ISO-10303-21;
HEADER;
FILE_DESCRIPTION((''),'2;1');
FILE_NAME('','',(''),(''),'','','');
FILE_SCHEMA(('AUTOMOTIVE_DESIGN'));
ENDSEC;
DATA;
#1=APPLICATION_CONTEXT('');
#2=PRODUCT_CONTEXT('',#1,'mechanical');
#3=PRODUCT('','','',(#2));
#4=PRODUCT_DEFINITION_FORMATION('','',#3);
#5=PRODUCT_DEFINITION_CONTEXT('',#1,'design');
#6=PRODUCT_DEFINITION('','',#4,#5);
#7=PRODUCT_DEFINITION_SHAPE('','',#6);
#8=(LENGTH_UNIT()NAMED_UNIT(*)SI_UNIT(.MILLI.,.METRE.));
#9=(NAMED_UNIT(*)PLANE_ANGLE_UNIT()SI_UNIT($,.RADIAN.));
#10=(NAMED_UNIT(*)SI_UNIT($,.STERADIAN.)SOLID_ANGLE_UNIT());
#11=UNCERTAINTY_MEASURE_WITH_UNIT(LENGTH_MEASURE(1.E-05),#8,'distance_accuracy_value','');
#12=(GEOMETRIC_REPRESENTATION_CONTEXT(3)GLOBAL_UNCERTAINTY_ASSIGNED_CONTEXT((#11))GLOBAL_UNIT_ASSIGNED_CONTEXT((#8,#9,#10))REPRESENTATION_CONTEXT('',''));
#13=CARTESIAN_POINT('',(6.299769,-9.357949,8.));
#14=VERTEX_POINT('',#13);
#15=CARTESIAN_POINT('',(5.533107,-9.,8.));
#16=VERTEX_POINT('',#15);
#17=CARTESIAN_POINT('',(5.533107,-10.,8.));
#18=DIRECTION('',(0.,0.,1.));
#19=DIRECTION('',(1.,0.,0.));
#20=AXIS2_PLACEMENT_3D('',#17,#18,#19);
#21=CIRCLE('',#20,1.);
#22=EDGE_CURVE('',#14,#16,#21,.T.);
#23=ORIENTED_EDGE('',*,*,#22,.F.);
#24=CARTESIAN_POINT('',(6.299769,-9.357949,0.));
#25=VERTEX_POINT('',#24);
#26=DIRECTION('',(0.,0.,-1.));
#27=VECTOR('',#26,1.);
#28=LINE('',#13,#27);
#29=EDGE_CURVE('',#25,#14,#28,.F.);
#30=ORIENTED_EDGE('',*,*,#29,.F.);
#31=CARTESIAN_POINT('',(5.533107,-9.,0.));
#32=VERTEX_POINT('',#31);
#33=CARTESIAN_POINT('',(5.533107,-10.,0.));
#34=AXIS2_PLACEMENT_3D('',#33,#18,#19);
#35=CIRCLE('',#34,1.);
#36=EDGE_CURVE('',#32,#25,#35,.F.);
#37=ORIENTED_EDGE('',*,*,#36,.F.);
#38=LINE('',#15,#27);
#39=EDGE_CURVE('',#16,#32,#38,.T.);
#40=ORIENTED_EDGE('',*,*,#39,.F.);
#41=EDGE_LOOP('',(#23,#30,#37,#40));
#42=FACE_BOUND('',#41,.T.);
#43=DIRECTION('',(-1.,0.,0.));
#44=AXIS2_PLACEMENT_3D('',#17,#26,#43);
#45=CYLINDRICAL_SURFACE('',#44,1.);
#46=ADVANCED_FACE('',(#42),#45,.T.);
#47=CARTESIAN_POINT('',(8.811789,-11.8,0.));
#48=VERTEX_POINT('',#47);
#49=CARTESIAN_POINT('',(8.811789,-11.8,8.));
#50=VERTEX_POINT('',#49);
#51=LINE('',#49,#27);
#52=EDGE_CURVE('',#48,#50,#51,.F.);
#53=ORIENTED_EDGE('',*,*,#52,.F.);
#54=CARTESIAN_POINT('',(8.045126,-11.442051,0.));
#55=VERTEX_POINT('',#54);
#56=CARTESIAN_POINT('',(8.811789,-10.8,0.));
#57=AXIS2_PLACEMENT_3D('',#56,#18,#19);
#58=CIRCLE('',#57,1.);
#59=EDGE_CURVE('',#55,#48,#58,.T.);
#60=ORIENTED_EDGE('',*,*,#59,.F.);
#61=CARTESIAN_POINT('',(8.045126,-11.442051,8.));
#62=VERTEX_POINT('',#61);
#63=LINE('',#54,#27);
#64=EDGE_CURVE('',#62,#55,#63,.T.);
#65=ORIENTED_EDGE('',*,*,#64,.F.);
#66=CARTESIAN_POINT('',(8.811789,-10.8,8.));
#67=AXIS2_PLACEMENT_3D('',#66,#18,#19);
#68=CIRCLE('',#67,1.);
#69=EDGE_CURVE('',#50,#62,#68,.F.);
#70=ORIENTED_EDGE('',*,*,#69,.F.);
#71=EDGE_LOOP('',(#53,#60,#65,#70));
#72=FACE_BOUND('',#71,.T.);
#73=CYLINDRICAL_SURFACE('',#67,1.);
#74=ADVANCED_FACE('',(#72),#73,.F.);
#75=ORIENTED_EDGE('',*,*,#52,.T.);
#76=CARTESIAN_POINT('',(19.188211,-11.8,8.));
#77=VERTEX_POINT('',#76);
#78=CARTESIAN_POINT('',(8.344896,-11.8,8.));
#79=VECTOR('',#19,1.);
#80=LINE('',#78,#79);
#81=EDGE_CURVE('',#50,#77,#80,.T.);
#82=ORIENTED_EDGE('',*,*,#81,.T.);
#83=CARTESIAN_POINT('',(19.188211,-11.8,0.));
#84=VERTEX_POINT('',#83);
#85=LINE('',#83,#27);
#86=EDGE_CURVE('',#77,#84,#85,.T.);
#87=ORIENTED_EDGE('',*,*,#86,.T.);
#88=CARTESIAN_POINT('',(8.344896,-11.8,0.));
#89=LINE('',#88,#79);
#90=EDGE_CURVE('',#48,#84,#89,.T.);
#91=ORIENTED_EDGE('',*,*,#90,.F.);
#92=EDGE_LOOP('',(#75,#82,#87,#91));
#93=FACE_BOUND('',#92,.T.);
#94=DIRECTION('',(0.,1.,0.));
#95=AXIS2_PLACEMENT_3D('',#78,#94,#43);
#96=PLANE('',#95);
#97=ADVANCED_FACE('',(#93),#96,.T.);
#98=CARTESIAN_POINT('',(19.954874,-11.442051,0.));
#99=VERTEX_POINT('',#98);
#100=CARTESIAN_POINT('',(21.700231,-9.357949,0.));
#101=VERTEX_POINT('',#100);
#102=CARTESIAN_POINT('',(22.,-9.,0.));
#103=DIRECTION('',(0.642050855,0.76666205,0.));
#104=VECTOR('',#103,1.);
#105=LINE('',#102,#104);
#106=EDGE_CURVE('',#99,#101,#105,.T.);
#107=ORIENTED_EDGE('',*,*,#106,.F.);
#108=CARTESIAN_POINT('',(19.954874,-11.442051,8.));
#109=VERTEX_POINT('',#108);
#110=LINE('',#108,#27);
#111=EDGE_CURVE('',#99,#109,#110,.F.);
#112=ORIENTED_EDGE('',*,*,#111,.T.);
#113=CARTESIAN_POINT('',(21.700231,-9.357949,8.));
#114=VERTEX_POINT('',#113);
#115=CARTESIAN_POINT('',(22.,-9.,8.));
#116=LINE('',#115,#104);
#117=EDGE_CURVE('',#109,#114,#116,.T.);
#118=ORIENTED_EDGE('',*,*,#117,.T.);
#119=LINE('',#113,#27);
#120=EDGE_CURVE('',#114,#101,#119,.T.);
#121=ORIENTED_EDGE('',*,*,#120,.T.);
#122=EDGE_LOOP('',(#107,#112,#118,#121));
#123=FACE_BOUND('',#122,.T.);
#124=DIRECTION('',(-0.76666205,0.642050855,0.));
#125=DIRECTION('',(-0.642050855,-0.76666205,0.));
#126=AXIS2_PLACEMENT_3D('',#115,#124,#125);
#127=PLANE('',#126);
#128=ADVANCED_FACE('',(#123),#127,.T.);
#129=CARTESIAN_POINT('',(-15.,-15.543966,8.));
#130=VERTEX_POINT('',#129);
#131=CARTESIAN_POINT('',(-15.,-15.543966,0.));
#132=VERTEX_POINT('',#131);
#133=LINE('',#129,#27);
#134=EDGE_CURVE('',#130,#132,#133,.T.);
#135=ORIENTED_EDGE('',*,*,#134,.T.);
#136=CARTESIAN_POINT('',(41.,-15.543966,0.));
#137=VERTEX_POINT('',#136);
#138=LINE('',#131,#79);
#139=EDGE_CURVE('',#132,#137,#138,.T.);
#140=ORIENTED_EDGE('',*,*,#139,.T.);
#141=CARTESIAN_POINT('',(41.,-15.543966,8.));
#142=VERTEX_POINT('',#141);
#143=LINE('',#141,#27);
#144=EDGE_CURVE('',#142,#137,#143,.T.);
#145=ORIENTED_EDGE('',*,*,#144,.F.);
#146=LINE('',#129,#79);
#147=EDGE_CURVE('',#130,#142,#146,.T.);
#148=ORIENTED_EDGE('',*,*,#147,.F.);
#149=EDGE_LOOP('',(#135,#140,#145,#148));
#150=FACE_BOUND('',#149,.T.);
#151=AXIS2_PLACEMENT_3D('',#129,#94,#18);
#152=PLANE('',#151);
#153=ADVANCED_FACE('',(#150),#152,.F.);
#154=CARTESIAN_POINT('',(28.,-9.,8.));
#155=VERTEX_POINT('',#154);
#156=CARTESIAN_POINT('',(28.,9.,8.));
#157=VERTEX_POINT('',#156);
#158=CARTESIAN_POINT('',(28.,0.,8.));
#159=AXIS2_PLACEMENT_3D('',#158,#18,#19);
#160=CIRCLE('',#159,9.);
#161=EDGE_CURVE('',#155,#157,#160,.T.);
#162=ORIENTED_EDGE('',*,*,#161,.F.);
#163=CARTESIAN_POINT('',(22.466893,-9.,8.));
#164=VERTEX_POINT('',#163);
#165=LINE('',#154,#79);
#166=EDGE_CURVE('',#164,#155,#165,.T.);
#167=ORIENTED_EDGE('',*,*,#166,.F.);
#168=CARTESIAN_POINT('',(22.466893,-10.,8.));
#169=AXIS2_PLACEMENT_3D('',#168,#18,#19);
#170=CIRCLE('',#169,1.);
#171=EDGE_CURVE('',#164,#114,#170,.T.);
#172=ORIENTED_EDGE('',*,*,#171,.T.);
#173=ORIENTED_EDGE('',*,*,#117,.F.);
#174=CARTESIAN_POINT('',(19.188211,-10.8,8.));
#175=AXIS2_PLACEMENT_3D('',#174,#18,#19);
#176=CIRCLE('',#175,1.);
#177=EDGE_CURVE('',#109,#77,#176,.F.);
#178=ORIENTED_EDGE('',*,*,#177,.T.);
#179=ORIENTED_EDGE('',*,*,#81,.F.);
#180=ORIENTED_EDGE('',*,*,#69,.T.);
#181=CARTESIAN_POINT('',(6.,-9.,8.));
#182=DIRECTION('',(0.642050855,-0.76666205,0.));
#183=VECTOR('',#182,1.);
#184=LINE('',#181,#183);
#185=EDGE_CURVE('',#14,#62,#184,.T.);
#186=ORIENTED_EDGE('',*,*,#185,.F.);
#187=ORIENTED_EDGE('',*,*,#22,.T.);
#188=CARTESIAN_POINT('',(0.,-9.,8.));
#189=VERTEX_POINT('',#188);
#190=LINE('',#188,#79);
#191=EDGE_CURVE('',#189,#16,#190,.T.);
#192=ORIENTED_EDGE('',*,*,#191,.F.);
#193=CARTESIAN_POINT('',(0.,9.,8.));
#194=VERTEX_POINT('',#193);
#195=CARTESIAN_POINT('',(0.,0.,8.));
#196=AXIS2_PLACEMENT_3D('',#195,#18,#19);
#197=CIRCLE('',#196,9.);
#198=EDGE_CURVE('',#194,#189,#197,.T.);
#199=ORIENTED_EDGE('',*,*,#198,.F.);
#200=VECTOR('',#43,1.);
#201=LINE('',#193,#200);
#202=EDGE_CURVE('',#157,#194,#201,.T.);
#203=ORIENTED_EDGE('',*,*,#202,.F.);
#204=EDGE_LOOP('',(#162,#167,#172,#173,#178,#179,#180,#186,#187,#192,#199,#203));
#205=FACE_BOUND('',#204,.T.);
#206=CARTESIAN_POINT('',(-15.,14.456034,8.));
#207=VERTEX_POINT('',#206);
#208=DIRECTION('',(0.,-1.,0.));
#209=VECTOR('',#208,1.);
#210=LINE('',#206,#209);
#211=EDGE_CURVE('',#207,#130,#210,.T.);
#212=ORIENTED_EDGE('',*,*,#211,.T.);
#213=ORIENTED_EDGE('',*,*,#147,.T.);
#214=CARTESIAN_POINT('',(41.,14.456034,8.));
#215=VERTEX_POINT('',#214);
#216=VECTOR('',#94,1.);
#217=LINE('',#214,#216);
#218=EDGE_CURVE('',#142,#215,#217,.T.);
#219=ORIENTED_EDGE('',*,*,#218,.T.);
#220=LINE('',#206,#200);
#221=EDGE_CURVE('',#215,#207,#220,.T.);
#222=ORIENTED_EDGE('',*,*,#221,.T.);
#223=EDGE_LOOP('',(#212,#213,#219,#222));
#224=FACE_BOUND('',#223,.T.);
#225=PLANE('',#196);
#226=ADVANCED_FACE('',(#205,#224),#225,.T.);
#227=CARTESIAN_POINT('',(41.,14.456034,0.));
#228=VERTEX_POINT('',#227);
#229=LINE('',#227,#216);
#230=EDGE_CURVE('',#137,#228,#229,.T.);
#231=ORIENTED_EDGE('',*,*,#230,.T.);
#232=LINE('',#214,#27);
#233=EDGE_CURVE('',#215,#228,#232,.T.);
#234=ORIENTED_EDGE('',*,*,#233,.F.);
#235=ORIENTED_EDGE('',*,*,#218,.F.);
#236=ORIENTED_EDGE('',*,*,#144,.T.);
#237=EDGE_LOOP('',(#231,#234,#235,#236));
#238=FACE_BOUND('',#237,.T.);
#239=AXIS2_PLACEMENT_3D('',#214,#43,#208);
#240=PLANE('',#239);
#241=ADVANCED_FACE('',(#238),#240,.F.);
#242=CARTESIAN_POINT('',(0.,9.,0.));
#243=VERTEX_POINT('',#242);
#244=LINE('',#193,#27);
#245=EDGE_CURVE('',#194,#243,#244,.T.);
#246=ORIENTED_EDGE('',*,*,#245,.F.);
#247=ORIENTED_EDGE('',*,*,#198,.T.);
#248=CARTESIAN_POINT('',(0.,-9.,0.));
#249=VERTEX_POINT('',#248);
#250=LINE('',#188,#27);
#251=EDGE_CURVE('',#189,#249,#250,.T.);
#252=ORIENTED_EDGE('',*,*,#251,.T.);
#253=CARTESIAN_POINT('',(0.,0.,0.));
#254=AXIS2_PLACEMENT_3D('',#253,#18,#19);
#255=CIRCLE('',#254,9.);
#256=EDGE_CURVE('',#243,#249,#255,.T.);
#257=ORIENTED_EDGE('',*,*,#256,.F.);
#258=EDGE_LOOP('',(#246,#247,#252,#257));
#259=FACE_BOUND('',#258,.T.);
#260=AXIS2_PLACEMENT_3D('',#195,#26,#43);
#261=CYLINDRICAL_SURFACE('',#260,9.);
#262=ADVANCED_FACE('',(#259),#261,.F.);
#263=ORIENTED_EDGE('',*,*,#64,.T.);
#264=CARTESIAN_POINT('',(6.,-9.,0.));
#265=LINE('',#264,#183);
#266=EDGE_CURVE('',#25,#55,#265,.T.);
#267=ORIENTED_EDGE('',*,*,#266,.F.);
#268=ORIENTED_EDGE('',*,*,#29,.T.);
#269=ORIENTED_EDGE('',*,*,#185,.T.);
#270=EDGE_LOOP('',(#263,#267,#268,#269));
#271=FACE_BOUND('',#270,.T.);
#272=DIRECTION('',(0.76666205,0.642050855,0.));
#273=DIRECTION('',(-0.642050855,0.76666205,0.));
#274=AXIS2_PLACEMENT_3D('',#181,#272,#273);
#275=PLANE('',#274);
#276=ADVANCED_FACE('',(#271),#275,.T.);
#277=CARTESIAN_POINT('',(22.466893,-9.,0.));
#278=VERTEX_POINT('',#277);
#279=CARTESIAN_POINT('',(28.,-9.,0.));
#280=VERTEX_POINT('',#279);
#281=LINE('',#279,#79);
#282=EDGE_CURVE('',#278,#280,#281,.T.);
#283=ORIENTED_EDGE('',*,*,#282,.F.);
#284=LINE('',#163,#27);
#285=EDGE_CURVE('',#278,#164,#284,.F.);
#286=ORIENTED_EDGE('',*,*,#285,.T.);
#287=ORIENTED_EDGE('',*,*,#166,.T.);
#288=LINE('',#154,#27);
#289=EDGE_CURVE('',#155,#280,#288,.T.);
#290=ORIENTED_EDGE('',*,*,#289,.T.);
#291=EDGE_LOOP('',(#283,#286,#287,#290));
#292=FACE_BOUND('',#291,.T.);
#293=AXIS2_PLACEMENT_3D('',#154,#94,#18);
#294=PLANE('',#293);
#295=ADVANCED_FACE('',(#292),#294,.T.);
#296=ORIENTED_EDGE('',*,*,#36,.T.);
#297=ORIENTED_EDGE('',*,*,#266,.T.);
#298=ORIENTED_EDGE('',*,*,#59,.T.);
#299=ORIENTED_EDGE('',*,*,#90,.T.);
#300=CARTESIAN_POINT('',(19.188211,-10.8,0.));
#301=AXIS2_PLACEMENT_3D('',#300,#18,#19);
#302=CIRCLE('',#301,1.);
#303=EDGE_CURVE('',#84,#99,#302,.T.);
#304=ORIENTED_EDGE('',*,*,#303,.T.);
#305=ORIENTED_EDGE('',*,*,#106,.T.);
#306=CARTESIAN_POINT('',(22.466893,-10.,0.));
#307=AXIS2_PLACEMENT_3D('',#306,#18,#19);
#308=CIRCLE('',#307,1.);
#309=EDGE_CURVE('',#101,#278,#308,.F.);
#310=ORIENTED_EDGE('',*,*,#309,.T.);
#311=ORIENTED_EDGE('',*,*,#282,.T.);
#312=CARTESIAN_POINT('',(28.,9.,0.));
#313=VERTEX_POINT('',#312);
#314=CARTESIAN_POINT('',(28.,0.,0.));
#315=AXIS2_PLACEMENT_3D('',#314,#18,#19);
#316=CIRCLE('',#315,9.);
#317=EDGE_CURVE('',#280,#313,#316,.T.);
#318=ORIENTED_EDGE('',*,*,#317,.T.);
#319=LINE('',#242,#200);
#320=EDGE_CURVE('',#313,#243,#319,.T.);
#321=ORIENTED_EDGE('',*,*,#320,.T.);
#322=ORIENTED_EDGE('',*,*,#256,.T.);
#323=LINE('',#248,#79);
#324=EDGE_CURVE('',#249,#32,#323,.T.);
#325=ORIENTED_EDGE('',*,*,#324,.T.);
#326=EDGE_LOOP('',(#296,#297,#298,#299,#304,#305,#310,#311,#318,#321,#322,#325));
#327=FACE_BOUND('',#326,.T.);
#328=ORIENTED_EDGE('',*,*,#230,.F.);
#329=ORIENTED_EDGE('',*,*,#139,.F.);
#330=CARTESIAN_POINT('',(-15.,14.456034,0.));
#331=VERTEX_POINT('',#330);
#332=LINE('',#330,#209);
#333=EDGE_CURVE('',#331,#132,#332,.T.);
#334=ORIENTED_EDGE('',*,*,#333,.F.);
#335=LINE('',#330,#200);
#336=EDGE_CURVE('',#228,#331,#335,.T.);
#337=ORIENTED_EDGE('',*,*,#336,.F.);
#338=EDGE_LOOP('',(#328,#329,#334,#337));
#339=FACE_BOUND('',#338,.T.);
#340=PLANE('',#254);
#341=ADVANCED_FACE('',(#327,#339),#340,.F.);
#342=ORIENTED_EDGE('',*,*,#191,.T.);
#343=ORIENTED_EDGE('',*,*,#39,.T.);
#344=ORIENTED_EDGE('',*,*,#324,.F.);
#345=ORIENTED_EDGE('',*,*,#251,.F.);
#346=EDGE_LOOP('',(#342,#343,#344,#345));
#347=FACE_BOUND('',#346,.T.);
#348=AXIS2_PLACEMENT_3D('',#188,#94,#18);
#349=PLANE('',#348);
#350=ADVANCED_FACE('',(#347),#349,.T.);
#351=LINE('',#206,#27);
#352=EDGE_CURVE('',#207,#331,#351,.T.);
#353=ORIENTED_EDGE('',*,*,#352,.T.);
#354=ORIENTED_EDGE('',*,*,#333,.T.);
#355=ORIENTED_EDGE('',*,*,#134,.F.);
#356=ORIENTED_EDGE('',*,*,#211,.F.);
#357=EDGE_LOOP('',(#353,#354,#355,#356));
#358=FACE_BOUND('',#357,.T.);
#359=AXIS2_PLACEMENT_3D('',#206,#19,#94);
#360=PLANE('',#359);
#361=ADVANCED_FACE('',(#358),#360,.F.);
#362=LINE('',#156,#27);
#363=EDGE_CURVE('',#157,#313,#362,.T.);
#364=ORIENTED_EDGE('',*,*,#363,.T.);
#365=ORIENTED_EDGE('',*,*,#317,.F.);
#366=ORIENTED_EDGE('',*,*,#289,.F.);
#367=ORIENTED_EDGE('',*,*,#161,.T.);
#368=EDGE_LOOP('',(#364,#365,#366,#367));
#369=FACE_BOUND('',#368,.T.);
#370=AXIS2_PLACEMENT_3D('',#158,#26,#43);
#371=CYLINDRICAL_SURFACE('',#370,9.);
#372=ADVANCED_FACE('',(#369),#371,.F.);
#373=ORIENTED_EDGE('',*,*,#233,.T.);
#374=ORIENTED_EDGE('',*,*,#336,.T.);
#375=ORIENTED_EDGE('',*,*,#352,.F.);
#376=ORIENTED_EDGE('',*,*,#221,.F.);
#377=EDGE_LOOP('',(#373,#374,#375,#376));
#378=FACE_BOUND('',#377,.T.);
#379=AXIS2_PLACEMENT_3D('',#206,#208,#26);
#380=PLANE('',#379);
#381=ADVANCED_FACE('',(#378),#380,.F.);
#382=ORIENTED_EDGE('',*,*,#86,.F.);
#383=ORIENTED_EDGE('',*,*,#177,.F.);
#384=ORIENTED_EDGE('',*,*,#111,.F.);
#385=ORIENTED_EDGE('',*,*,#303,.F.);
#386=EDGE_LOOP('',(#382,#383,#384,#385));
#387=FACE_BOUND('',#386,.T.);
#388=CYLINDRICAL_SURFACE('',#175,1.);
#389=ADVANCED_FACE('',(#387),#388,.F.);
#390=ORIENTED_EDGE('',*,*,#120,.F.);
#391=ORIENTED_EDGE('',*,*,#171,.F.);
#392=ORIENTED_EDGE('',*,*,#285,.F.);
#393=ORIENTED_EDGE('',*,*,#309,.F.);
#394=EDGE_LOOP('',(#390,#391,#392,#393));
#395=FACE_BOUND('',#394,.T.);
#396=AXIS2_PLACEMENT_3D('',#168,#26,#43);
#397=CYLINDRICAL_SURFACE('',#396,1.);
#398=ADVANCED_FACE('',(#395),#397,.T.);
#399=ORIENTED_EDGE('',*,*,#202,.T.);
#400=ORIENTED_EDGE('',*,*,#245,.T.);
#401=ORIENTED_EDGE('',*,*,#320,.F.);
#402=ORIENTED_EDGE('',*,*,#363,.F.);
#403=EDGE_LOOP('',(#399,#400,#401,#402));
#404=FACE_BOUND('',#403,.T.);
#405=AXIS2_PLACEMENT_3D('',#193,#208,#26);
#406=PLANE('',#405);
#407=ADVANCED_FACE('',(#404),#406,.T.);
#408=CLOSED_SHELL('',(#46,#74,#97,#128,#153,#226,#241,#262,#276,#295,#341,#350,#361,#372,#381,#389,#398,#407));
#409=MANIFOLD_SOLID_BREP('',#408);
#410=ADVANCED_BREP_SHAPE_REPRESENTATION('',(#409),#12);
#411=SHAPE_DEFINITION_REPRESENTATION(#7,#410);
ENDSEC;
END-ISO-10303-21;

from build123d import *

# Parameters (mm, degrees)
SKETCH_1_W      = 56
SKETCH_1_H      = 30
EXTRUDE_1_DEPTH = 8
FILLET_1_R      = 1


with BuildPart() as part:
    # 草图1 → 凸台-拉伸1 (new body)
    with BuildSketch(Plane.XY):
        with Locations((13, -0.54396632)):
            Rectangle(SKETCH_1_W, SKETCH_1_H)
        with BuildLine():
            Line((0, 9), (28, 9))
            ThreePointArc((28, 9), (37, 0), (28, -9))
            Line((28, -9), (22, -9))
            Line((22, -9), (19.655104495, -11.8))
            Line((19.655104495, -11.8), (8.344895505, -11.8))
            Line((8.344895505, -11.8), (6, -9))
            Line((6, -9), (0, -9))
            ThreePointArc((0, -9), (-9, 0), (0, 9))
        make_face(mode=Mode.SUBTRACT)
    extrude(amount=EXTRUDE_1_DEPTH)

    # 圆角1
    fillet_1_edges = [part.edges().sort_by_distance(p)[0] for p in [
        (6, -9, 4),
        (8.344895505, -11.8, 4),
        (19.655104495, -11.8, 4),
        (22, -9, 4),
    ]]
    fillet(fillet_1_edges, radius=FILLET_1_R)


solid = part.part
